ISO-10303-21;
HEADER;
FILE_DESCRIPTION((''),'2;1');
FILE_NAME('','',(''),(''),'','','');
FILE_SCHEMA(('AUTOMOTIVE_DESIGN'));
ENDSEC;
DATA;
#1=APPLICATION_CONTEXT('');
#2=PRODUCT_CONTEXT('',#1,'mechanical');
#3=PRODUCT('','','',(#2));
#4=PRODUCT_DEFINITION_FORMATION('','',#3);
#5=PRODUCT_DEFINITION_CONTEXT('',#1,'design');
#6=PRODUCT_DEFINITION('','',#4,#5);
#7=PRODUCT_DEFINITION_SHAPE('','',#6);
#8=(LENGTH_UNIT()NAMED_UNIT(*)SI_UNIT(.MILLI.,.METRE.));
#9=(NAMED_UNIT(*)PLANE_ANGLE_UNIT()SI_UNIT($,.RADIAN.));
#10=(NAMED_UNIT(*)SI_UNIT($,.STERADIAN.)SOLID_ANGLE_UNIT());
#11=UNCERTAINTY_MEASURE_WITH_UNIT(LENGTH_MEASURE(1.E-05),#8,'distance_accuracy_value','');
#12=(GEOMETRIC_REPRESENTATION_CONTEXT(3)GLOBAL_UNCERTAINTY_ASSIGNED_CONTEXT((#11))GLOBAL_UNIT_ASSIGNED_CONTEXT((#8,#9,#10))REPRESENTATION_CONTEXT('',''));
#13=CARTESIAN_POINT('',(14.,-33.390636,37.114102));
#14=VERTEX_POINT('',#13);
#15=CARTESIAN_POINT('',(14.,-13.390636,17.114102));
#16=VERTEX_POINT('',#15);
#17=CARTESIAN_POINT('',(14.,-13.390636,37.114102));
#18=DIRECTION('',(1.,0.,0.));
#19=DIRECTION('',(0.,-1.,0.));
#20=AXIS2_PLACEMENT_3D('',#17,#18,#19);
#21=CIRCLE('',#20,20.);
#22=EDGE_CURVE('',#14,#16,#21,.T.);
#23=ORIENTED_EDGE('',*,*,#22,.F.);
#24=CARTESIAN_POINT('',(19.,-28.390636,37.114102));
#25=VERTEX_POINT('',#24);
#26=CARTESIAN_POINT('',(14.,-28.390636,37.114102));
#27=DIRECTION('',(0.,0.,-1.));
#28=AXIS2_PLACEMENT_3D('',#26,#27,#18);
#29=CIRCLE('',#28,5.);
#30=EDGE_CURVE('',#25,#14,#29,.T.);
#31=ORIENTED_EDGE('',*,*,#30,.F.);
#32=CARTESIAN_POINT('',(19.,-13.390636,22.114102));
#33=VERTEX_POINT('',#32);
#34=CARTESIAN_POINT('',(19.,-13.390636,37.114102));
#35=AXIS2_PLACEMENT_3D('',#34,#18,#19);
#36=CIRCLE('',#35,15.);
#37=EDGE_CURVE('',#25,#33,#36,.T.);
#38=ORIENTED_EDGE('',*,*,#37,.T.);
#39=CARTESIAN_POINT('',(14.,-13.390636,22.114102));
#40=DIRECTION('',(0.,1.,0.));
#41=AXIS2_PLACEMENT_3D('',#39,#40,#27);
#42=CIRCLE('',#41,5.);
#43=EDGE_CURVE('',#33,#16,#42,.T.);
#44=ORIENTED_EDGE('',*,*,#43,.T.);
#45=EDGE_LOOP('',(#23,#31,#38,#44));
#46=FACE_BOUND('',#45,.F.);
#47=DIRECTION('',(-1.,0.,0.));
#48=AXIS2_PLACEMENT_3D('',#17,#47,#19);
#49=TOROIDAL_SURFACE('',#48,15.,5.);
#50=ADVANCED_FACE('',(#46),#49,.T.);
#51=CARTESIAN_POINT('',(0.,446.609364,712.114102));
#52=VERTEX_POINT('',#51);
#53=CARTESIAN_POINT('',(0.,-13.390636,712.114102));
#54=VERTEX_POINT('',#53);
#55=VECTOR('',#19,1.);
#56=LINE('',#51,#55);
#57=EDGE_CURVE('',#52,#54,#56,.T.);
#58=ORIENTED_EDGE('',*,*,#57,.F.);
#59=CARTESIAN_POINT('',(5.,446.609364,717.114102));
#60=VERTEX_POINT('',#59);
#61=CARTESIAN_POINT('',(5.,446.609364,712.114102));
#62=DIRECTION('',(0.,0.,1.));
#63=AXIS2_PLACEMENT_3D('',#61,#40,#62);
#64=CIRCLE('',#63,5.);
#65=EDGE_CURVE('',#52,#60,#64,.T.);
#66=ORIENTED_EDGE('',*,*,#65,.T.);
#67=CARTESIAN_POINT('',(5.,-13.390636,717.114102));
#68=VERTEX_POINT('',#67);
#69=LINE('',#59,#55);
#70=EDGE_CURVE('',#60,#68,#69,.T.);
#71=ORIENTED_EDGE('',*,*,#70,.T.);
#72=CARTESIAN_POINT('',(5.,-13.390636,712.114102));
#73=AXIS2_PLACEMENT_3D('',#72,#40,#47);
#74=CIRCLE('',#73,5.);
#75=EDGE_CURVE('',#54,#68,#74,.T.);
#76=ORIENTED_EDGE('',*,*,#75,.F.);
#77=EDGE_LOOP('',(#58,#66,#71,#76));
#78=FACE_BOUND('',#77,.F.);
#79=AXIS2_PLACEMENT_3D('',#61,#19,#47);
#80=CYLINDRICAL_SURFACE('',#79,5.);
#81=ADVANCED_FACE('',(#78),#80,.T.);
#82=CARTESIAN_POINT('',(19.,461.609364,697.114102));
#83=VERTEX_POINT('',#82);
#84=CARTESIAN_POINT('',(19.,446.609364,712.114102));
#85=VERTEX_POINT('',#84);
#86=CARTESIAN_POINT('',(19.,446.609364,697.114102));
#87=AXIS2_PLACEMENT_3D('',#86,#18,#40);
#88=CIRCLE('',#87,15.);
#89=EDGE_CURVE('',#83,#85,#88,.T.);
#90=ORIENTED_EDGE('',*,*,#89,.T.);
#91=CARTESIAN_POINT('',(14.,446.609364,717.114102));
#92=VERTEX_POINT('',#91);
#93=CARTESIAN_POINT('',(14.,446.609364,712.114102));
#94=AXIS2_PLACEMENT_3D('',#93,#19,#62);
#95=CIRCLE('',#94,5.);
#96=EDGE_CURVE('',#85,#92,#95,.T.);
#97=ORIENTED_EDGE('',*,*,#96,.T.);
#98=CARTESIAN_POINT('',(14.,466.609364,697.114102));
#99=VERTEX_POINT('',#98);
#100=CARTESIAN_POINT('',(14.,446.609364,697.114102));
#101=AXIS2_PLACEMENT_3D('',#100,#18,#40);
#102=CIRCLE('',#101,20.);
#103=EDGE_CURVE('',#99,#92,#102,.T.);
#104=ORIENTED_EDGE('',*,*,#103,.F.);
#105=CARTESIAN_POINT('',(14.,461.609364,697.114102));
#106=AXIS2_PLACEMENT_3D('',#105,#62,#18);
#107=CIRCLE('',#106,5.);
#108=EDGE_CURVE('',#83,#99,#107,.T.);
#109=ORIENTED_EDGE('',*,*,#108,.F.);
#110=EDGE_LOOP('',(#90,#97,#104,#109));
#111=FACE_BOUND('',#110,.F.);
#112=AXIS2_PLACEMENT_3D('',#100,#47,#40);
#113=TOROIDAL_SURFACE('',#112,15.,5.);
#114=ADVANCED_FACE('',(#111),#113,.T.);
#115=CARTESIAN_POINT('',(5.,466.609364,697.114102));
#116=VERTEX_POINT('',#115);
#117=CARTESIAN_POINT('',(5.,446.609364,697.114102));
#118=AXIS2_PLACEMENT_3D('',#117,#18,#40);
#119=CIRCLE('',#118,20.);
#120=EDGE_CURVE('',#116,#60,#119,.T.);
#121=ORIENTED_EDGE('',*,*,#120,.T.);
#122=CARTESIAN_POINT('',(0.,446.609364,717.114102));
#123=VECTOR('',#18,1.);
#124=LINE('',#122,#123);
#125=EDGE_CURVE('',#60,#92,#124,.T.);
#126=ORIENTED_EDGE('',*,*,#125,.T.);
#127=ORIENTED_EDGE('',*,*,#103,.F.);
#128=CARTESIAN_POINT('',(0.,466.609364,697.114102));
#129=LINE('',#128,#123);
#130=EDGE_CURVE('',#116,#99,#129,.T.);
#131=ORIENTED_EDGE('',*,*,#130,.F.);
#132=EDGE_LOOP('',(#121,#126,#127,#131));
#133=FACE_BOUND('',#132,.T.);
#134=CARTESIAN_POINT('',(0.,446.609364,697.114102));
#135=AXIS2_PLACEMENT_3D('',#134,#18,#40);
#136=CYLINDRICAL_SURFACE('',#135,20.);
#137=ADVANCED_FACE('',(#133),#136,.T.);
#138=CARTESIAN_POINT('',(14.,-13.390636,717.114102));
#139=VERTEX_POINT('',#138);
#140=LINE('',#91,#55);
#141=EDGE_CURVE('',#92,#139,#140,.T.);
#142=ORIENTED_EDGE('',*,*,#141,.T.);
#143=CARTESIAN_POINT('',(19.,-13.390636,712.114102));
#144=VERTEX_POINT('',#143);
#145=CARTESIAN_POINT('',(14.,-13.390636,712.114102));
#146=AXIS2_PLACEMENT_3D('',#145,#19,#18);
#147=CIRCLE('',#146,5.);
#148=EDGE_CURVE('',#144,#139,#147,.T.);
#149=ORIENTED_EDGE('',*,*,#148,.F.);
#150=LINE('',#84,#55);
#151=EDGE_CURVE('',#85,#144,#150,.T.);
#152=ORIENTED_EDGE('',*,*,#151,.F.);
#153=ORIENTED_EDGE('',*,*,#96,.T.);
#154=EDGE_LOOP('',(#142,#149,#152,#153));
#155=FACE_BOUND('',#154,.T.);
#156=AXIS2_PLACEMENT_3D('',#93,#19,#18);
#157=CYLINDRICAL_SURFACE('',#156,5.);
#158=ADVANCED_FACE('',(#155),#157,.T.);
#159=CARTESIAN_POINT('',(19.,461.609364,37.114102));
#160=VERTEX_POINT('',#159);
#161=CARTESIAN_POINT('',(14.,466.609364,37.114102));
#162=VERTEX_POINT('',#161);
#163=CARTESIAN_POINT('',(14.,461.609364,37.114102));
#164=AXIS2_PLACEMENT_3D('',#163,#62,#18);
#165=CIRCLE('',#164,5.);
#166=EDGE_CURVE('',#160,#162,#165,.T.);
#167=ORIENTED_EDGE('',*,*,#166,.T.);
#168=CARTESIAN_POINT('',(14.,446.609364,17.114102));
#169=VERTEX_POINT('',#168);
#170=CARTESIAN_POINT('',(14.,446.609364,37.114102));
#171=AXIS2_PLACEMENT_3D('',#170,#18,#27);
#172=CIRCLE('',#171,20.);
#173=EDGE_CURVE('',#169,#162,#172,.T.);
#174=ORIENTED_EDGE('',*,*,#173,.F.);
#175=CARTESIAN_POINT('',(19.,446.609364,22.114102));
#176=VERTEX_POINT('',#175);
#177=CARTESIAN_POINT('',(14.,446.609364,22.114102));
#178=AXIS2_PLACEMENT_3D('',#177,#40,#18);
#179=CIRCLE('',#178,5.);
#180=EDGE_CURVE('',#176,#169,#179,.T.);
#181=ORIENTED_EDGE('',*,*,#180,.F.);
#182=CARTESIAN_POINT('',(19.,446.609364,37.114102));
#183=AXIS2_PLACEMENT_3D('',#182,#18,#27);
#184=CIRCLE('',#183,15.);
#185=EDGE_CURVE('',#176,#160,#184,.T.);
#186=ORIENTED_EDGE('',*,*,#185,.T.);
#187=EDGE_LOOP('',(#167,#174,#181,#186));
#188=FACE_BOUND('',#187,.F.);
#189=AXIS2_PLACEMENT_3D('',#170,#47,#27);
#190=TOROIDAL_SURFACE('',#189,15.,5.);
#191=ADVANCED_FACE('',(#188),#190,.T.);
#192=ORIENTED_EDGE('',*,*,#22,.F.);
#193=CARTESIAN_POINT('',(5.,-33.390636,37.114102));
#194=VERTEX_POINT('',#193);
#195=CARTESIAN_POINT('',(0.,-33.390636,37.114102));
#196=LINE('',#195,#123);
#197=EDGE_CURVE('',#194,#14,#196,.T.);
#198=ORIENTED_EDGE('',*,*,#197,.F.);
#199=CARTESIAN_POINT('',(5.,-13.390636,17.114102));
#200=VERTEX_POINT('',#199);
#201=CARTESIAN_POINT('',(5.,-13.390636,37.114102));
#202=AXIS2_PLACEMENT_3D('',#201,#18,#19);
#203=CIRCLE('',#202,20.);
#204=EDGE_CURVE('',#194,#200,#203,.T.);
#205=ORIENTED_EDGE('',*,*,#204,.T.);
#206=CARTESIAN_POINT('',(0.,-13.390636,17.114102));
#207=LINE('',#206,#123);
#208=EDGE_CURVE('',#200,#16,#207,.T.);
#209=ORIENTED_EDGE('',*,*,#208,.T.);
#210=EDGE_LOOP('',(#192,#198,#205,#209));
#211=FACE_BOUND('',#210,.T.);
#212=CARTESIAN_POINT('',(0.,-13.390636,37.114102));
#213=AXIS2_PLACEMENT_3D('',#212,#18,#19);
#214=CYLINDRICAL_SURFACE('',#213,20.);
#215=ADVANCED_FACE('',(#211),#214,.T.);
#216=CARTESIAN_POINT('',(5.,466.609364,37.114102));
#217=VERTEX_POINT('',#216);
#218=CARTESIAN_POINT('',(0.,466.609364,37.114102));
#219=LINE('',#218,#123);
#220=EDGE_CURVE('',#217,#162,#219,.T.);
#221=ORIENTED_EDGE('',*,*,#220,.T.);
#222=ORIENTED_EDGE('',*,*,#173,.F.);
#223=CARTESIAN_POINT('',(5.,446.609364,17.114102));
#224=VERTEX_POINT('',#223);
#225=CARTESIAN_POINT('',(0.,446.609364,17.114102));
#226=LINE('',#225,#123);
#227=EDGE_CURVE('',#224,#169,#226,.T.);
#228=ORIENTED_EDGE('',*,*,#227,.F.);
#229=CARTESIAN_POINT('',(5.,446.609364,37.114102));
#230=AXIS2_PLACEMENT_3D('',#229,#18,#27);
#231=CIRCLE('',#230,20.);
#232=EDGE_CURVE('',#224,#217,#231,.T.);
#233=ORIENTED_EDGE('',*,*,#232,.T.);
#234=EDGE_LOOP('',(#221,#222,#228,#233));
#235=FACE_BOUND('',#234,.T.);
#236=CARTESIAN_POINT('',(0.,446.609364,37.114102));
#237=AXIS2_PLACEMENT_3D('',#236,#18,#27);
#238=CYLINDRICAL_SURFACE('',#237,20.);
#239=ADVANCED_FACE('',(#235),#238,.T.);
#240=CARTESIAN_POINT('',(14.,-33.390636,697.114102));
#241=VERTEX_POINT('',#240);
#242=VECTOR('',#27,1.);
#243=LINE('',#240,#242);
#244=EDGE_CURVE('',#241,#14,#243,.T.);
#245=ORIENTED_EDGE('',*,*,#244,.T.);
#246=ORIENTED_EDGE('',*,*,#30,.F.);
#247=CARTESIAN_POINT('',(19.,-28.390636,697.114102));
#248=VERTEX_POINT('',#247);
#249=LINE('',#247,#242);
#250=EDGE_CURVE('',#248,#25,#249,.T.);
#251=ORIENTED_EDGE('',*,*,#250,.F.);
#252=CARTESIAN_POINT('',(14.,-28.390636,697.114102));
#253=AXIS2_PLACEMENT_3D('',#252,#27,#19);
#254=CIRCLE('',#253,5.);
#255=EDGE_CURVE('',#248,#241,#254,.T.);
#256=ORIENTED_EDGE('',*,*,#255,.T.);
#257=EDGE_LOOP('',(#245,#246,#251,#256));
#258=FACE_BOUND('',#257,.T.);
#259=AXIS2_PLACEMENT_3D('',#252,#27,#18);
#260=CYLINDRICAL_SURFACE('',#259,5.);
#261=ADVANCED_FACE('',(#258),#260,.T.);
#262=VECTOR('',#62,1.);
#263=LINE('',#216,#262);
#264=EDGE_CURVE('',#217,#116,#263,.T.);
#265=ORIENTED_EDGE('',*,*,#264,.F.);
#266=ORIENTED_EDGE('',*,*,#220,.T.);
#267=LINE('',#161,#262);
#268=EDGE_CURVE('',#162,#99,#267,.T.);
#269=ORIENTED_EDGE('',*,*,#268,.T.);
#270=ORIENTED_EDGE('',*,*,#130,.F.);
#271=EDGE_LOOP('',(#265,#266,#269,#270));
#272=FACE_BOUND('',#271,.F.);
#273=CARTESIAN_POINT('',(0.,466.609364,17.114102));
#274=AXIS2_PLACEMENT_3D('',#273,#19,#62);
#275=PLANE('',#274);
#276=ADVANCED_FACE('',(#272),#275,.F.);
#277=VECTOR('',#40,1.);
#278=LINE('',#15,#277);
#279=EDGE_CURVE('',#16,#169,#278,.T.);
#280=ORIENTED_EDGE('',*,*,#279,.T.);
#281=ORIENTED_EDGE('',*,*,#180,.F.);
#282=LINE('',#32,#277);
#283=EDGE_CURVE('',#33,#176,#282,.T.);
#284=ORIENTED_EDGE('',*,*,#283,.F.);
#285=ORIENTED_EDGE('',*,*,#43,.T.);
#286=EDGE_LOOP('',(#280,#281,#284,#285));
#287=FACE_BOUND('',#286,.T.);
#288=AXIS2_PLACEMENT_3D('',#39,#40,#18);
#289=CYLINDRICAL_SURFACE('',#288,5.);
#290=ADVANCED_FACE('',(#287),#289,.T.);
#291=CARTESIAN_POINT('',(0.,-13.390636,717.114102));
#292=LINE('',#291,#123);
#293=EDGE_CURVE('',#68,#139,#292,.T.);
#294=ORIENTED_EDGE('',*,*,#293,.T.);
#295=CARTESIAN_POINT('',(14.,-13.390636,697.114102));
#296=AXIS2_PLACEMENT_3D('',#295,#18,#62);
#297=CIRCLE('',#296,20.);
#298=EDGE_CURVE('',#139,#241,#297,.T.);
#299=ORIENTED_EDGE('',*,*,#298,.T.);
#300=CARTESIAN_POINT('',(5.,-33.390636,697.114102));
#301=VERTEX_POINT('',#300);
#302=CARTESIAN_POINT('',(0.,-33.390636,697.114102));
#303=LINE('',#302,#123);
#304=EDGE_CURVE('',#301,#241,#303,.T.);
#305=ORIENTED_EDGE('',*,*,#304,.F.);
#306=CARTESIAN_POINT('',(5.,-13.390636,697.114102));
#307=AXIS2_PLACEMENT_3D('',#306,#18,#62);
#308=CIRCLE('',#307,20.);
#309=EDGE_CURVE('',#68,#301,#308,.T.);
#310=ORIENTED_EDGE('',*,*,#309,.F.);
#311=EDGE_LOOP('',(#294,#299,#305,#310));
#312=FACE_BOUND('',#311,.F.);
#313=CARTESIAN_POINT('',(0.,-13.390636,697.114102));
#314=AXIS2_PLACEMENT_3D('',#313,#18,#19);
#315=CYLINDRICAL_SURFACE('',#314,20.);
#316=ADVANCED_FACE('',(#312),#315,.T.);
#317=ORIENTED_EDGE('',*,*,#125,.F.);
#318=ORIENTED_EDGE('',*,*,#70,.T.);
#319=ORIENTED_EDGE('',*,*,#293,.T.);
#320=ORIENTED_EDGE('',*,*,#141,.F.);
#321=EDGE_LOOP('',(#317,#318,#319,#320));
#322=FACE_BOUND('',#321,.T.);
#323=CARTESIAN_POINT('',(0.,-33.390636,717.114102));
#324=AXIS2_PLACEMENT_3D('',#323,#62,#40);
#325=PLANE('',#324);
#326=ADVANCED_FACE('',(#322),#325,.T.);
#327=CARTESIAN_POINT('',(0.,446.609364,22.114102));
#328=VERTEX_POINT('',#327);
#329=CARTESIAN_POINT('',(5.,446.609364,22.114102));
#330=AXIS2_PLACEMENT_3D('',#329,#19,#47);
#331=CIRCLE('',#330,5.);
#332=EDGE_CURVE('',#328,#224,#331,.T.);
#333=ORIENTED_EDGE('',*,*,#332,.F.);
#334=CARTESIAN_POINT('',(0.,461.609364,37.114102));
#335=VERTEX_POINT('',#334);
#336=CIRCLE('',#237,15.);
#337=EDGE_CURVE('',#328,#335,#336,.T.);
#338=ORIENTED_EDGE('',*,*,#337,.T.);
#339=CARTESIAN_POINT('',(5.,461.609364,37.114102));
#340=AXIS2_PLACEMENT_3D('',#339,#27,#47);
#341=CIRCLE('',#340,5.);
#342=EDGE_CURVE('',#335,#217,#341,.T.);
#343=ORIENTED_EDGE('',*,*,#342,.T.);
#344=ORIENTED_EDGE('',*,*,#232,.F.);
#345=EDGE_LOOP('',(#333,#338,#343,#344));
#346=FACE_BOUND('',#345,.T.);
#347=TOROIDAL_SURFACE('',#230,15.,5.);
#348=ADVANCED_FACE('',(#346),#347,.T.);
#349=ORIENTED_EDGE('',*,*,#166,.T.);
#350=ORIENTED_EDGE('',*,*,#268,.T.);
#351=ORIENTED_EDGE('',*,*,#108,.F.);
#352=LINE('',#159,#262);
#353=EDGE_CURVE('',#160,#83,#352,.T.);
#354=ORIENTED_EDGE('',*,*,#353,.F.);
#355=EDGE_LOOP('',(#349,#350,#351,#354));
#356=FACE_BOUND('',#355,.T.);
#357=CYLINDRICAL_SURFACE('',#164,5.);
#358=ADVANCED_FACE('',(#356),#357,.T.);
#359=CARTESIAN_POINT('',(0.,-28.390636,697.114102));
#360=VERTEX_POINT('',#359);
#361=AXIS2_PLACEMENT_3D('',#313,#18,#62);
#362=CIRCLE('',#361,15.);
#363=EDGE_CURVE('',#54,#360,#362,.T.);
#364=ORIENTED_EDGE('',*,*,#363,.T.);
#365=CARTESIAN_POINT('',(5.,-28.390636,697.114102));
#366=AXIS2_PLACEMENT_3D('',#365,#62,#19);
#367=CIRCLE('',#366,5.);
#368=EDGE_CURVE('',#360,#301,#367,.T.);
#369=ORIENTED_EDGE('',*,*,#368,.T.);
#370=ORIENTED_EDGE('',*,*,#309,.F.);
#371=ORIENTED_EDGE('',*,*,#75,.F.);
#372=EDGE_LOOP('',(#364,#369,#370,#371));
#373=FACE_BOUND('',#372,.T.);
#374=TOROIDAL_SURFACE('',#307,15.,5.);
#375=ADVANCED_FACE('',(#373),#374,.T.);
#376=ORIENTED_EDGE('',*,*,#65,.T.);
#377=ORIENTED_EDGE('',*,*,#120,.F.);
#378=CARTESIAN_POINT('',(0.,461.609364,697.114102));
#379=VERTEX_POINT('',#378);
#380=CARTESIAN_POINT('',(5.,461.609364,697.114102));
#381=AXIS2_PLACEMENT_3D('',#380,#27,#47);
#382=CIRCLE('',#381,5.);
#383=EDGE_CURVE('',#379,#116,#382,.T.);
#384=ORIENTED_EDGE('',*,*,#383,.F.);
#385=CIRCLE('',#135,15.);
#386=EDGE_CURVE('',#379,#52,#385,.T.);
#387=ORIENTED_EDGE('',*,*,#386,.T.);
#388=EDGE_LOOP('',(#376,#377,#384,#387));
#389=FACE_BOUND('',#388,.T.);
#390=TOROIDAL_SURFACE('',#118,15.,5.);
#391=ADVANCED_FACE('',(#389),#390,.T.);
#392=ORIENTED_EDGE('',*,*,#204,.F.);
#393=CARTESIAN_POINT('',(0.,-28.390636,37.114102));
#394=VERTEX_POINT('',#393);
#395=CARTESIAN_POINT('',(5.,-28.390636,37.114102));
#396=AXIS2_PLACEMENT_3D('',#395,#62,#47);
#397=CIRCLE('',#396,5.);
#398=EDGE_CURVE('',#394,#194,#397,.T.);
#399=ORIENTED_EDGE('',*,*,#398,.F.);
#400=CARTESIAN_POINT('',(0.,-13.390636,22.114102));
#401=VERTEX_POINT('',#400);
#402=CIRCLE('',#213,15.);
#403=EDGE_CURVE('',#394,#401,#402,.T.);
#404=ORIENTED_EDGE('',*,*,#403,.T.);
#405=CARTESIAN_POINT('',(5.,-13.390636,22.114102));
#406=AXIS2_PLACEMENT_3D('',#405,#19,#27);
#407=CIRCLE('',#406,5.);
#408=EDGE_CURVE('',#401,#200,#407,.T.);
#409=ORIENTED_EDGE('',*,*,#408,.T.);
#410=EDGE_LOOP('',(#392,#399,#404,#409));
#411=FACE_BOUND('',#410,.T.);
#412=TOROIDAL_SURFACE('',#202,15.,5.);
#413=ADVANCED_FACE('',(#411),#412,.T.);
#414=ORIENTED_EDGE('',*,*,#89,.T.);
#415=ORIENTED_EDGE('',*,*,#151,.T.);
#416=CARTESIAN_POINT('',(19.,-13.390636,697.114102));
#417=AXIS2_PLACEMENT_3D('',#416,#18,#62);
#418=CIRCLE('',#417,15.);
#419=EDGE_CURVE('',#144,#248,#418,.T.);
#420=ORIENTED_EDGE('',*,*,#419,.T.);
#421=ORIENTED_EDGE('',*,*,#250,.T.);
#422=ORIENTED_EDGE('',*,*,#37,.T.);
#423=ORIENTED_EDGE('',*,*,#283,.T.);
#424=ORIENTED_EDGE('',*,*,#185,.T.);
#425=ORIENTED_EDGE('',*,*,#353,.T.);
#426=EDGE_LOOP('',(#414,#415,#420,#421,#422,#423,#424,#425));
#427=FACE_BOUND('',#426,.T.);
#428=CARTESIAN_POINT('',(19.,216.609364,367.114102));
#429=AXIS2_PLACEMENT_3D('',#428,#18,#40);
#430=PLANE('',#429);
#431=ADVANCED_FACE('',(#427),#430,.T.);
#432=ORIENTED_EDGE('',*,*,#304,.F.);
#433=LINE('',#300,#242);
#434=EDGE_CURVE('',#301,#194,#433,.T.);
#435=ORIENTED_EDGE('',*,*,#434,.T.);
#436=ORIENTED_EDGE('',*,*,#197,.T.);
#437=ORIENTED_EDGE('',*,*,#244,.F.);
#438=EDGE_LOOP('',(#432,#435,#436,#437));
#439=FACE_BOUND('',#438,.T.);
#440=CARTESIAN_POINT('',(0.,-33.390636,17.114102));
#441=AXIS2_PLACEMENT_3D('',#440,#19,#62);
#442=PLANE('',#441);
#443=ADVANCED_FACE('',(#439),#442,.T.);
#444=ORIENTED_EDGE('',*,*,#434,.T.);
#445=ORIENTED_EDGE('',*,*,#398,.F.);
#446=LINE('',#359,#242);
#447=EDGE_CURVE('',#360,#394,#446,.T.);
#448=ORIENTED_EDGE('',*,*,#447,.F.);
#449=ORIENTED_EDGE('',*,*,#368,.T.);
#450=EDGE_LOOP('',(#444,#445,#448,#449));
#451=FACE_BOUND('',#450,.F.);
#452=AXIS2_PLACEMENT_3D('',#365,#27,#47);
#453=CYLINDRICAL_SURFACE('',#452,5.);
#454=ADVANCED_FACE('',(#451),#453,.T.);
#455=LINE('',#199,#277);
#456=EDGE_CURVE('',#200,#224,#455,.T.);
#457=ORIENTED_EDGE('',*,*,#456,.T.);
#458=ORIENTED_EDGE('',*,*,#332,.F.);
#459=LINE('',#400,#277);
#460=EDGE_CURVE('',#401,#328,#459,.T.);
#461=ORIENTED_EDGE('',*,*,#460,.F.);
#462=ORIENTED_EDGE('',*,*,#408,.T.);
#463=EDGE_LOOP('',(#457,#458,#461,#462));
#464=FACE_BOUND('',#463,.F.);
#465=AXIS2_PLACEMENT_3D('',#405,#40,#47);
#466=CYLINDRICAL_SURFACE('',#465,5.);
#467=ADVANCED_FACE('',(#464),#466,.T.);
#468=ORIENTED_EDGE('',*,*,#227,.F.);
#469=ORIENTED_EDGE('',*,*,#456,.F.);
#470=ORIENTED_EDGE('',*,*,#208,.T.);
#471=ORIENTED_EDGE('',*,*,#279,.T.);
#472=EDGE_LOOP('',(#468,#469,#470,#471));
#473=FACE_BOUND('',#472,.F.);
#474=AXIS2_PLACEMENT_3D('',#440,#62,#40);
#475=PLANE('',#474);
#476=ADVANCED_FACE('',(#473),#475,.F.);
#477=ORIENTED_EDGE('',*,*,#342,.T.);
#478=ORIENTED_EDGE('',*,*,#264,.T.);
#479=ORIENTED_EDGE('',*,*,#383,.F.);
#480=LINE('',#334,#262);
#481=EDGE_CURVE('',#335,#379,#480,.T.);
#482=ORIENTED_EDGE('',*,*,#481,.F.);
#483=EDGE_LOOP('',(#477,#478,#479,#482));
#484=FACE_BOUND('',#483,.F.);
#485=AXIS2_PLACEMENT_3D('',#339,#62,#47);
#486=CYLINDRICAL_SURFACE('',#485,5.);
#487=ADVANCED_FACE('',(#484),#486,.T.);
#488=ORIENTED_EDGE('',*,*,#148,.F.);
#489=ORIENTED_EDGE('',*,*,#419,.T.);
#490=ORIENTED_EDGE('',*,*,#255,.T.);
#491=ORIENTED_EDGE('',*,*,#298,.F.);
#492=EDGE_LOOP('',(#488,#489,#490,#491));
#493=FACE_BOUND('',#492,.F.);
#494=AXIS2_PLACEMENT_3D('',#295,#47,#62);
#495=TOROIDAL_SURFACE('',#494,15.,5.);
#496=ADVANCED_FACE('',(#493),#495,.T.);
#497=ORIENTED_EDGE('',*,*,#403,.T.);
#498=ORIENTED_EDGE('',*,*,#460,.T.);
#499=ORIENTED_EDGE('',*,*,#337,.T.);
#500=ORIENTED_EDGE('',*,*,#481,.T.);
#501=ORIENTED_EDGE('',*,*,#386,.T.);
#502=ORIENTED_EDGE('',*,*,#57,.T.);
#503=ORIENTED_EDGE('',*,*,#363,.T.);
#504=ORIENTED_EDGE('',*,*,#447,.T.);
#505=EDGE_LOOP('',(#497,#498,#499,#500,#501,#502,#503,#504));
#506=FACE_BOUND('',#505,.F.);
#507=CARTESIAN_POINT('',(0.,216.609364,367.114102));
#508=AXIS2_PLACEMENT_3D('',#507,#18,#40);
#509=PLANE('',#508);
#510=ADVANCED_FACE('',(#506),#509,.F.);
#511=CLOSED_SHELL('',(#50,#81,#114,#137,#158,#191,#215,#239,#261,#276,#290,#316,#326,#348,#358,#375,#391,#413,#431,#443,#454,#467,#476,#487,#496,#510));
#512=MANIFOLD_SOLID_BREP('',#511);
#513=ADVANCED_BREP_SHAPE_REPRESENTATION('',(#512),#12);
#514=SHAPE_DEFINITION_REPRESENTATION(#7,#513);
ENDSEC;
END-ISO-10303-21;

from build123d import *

# Parameters (mm, degrees)
F0_W     = 500
F0_H     = 700
F1_DEPTH = 19
F2_R     = 20
F3_R     = 5


with BuildPart() as f1:
    # F0 (on Right) → F1 (new body)
    with BuildSketch(Plane.YZ):
        with Locations((216.609364, 367.114102)):
            Rectangle(F0_W, F0_H)
    extrude(amount=F1_DEPTH)

    # F2
    f2_edges = [f1.edges().sort_by_distance(p)[0] for p in [
        (9.5, -33.390636, 717.114102),
        (9.5, -33.390636, 17.114102),
        (9.5, 466.609364, 17.114102),
        (9.5, 466.609364, 717.114102),
    ]]
    fillet(f2_edges, radius=F2_R)

    # F3
    f3_edges = [f1.edges().sort_by_distance(p)[0] for p in [
        (0, 466.609364, 367.114102),
        (19, 466.609364, 367.114102),
    ]]
    fillet(f3_edges, radius=F3_R)


solid = f1.part
